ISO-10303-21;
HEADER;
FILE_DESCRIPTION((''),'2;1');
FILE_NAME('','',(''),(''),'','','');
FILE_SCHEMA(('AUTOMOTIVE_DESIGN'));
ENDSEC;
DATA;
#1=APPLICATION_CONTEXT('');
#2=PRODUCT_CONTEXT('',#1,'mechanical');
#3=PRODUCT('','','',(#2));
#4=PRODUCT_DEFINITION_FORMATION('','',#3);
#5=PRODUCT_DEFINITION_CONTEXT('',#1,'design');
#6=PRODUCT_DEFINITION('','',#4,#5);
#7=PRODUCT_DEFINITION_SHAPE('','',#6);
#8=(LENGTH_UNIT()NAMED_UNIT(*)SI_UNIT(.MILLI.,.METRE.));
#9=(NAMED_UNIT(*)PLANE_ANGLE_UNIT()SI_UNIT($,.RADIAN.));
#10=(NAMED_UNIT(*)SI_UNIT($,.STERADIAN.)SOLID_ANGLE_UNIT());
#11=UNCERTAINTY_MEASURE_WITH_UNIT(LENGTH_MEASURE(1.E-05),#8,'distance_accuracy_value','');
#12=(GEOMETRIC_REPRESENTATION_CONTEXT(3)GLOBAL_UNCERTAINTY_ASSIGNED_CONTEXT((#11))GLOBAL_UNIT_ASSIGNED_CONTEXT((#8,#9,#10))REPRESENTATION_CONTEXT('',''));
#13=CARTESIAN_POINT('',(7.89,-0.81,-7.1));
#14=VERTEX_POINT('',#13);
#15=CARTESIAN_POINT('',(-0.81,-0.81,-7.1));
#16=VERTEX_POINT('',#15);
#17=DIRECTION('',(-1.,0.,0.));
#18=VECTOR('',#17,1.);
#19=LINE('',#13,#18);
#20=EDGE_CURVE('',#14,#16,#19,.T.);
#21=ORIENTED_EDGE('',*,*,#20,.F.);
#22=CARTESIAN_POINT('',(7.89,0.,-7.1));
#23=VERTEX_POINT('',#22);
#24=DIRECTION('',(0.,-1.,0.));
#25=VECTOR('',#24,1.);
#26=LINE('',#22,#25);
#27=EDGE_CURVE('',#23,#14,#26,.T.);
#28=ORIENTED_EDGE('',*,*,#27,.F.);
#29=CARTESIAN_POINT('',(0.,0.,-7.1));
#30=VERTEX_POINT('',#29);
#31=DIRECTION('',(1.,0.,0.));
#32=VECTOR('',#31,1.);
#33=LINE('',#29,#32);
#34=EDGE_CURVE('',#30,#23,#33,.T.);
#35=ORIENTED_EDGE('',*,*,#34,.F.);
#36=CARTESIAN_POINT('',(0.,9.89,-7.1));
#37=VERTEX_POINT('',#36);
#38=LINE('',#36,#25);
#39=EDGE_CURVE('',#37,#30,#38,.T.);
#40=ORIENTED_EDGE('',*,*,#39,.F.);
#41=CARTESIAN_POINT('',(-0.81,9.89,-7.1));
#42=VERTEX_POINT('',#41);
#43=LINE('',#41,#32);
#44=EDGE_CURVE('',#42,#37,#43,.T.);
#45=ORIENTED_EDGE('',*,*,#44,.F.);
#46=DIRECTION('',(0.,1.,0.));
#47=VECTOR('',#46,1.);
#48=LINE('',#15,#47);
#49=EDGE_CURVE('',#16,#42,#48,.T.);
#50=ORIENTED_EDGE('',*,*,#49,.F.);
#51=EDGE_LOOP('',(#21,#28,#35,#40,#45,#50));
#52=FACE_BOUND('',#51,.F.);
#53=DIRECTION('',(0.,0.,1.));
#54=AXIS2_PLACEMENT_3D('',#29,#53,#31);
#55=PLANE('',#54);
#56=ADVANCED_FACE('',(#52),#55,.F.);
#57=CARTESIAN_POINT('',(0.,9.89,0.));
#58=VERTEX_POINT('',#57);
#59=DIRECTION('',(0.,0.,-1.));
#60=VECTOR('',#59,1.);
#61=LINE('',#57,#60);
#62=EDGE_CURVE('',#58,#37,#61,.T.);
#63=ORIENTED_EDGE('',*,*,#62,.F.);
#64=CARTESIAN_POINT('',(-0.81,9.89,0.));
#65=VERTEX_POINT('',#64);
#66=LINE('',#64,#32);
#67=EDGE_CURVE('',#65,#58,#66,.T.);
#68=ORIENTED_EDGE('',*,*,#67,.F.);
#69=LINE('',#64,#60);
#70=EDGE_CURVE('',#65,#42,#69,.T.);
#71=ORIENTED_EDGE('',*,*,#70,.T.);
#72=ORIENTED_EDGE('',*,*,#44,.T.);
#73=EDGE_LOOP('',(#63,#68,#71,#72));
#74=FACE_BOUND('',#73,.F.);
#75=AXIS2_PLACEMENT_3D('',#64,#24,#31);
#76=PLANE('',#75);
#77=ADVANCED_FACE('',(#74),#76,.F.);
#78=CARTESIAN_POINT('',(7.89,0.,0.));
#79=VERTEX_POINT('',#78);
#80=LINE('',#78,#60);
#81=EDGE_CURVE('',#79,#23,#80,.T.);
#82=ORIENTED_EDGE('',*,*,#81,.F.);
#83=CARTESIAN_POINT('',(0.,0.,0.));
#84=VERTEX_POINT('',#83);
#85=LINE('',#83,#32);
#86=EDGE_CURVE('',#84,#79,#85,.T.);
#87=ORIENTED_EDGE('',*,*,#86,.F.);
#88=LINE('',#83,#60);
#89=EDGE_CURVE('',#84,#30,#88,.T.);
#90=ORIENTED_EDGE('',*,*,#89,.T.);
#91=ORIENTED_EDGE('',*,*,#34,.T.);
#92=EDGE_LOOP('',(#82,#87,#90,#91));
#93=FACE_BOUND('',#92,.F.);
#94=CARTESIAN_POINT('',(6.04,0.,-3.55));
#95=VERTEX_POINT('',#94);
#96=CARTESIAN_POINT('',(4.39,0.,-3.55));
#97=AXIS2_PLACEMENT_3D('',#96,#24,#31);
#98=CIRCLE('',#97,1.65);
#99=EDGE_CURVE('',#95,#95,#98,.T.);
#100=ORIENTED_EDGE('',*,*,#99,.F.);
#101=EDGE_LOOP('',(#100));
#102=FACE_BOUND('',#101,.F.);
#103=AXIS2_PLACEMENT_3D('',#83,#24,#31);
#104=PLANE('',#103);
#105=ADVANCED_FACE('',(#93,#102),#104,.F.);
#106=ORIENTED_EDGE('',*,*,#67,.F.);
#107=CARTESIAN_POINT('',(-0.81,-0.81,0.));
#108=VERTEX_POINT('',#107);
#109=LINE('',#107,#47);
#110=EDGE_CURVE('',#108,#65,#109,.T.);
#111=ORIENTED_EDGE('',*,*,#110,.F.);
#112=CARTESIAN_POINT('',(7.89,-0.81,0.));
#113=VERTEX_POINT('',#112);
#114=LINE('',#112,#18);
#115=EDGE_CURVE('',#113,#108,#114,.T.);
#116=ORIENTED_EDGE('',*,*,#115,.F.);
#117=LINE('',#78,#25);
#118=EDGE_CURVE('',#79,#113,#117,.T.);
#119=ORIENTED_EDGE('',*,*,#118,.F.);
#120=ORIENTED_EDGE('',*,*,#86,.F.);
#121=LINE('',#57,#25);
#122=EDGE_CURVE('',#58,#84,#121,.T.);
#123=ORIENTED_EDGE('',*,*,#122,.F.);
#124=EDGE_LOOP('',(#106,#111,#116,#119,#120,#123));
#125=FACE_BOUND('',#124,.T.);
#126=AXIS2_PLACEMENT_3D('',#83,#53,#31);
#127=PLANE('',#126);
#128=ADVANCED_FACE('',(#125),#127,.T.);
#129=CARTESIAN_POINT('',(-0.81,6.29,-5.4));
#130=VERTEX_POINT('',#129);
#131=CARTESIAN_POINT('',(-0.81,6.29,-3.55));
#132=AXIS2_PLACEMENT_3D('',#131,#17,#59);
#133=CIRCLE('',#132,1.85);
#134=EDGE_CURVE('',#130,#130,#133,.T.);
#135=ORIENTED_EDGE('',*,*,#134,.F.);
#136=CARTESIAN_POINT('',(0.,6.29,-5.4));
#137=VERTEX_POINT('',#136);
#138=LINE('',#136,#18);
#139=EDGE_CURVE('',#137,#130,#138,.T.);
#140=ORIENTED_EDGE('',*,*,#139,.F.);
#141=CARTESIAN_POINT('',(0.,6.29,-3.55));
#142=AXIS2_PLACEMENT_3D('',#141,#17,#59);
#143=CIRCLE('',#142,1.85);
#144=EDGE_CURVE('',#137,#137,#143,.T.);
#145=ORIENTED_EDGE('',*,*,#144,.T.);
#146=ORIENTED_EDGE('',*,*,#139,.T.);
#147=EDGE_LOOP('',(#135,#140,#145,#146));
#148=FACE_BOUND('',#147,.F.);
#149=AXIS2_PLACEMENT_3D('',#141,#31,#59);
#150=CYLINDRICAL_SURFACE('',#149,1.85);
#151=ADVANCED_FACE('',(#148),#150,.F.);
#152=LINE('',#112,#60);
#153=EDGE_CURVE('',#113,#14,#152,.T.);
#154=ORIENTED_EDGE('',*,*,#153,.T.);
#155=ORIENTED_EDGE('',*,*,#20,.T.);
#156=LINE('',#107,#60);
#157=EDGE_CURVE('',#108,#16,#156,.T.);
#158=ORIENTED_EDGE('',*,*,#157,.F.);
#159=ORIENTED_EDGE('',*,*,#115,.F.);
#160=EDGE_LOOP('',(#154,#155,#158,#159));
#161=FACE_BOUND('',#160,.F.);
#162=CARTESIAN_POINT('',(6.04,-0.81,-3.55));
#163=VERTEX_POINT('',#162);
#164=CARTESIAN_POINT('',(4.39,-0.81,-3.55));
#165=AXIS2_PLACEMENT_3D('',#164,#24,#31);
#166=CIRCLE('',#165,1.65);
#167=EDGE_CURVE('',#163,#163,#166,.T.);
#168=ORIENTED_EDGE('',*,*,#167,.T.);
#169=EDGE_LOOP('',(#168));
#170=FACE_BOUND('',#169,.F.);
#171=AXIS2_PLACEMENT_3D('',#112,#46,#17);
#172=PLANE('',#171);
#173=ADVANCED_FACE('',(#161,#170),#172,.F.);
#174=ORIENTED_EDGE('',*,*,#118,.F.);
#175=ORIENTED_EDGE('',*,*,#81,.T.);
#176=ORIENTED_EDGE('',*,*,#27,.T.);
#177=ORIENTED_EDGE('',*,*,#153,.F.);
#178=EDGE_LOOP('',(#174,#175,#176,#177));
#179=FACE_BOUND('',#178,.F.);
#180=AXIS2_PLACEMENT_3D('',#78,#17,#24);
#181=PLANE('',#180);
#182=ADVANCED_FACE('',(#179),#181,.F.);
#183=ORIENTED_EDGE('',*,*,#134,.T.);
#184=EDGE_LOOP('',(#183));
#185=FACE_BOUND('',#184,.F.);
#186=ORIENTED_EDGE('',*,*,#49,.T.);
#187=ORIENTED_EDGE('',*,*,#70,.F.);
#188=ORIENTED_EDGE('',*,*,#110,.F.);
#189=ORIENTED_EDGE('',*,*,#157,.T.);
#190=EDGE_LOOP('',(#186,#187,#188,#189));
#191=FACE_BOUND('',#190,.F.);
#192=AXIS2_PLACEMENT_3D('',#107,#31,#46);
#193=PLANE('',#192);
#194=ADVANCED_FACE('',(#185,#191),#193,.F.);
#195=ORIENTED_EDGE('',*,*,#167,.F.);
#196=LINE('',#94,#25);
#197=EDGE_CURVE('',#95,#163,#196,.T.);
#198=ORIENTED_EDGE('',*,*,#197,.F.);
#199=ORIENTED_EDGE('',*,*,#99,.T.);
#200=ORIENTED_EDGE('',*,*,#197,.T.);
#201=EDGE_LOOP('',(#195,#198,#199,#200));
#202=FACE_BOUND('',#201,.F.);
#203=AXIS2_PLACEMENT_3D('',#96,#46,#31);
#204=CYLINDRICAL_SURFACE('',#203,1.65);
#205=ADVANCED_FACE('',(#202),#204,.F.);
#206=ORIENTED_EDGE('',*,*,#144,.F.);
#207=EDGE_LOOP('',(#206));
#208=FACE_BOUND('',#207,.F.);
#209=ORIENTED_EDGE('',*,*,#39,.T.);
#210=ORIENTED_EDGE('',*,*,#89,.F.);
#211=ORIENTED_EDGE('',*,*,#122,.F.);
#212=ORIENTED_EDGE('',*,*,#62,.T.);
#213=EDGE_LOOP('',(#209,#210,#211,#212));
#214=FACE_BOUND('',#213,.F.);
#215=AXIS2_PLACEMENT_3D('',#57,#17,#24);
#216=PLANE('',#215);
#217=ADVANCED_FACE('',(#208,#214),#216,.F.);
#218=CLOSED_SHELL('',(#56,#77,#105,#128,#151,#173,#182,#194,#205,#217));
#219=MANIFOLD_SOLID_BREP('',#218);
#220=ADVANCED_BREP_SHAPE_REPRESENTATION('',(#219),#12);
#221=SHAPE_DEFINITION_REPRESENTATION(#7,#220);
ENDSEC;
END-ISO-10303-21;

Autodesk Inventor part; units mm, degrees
ref_plane "YZ Plane" through (0, 0, 0) normal (1, 0, 0) x (0, 1, 0)
ref_plane "XZ Plane" through (0, 0, 0) normal (0, 1, 0) x (-1, 0, 0)
ref_plane "XY Plane" through (0, 0, 0) normal (0, 0, 1) x (1, 0, 0)
sketch "Sketch1" plane through (0, 0, 0) normal (0, 0, 1) x (1, 0, 0)
  line L0 (0, 0) -> (7.89, 0)
  line L1 (7.89, 0) -> (7.89, -0.81)
  line L2 (7.89, -0.81) -> (-0.81, -0.81)
  line L3 (-0.81, -0.81) -> (-0.81, 9.89)
  line L4 (-0.81, 9.89) -> (0, 9.89)
  line L5 (0, 9.89) -> (0, 0)
  dimension "d0" = 7.89
  dimension "d1" = 0.81
  dimension "d2" = 8.7
  dimension "d3" = 10.7
extrude "Extrusion1" add sketch "Sketch1" against normal blind 7.1
sketch "Sketch2" plane through (0, 0, 0) normal (0, 1, 0) x (1, 0, 0)
  line L0 (0, 0) -> (-0.81, 0) projected
  line L1 (-0.81, 7.1) -> (0, 7.1) projected
  line L2 (-0.81, 0) -> (-0.81, 7.1)
  line L3 (-0.81, 0) -> (-0.81, 7.1) projected
  line L4 (-0.81, 3.55) -> (4.39, 3.55)
  circle A0 centre (4.39, 3.55) radius 1.65
  dimension "d6" = 5.2
  dimension "d7" = 3.3
extrude "Extrusion2" cut sketch "Sketch2" against normal blind 7.1
sketch "Sketch3" plane through (0, 0, 0) normal (1, 0, 0) x (0, 0, -1)
  line L0 (0, -0.81) -> (7.1, -0.81) projected
  line L1 (3.55, -0.81) -> (3.55, 6.29)
  circle A0 centre (3.55, 6.29) radius 1.85
  point P0 (0, 0)
  dimension "d10" = 7.1
  dimension "d11" = 3.7
extrude "Extrusion3" cut sketch "Sketch3" against normal blind 7.1
properties part number "615Bracket"
